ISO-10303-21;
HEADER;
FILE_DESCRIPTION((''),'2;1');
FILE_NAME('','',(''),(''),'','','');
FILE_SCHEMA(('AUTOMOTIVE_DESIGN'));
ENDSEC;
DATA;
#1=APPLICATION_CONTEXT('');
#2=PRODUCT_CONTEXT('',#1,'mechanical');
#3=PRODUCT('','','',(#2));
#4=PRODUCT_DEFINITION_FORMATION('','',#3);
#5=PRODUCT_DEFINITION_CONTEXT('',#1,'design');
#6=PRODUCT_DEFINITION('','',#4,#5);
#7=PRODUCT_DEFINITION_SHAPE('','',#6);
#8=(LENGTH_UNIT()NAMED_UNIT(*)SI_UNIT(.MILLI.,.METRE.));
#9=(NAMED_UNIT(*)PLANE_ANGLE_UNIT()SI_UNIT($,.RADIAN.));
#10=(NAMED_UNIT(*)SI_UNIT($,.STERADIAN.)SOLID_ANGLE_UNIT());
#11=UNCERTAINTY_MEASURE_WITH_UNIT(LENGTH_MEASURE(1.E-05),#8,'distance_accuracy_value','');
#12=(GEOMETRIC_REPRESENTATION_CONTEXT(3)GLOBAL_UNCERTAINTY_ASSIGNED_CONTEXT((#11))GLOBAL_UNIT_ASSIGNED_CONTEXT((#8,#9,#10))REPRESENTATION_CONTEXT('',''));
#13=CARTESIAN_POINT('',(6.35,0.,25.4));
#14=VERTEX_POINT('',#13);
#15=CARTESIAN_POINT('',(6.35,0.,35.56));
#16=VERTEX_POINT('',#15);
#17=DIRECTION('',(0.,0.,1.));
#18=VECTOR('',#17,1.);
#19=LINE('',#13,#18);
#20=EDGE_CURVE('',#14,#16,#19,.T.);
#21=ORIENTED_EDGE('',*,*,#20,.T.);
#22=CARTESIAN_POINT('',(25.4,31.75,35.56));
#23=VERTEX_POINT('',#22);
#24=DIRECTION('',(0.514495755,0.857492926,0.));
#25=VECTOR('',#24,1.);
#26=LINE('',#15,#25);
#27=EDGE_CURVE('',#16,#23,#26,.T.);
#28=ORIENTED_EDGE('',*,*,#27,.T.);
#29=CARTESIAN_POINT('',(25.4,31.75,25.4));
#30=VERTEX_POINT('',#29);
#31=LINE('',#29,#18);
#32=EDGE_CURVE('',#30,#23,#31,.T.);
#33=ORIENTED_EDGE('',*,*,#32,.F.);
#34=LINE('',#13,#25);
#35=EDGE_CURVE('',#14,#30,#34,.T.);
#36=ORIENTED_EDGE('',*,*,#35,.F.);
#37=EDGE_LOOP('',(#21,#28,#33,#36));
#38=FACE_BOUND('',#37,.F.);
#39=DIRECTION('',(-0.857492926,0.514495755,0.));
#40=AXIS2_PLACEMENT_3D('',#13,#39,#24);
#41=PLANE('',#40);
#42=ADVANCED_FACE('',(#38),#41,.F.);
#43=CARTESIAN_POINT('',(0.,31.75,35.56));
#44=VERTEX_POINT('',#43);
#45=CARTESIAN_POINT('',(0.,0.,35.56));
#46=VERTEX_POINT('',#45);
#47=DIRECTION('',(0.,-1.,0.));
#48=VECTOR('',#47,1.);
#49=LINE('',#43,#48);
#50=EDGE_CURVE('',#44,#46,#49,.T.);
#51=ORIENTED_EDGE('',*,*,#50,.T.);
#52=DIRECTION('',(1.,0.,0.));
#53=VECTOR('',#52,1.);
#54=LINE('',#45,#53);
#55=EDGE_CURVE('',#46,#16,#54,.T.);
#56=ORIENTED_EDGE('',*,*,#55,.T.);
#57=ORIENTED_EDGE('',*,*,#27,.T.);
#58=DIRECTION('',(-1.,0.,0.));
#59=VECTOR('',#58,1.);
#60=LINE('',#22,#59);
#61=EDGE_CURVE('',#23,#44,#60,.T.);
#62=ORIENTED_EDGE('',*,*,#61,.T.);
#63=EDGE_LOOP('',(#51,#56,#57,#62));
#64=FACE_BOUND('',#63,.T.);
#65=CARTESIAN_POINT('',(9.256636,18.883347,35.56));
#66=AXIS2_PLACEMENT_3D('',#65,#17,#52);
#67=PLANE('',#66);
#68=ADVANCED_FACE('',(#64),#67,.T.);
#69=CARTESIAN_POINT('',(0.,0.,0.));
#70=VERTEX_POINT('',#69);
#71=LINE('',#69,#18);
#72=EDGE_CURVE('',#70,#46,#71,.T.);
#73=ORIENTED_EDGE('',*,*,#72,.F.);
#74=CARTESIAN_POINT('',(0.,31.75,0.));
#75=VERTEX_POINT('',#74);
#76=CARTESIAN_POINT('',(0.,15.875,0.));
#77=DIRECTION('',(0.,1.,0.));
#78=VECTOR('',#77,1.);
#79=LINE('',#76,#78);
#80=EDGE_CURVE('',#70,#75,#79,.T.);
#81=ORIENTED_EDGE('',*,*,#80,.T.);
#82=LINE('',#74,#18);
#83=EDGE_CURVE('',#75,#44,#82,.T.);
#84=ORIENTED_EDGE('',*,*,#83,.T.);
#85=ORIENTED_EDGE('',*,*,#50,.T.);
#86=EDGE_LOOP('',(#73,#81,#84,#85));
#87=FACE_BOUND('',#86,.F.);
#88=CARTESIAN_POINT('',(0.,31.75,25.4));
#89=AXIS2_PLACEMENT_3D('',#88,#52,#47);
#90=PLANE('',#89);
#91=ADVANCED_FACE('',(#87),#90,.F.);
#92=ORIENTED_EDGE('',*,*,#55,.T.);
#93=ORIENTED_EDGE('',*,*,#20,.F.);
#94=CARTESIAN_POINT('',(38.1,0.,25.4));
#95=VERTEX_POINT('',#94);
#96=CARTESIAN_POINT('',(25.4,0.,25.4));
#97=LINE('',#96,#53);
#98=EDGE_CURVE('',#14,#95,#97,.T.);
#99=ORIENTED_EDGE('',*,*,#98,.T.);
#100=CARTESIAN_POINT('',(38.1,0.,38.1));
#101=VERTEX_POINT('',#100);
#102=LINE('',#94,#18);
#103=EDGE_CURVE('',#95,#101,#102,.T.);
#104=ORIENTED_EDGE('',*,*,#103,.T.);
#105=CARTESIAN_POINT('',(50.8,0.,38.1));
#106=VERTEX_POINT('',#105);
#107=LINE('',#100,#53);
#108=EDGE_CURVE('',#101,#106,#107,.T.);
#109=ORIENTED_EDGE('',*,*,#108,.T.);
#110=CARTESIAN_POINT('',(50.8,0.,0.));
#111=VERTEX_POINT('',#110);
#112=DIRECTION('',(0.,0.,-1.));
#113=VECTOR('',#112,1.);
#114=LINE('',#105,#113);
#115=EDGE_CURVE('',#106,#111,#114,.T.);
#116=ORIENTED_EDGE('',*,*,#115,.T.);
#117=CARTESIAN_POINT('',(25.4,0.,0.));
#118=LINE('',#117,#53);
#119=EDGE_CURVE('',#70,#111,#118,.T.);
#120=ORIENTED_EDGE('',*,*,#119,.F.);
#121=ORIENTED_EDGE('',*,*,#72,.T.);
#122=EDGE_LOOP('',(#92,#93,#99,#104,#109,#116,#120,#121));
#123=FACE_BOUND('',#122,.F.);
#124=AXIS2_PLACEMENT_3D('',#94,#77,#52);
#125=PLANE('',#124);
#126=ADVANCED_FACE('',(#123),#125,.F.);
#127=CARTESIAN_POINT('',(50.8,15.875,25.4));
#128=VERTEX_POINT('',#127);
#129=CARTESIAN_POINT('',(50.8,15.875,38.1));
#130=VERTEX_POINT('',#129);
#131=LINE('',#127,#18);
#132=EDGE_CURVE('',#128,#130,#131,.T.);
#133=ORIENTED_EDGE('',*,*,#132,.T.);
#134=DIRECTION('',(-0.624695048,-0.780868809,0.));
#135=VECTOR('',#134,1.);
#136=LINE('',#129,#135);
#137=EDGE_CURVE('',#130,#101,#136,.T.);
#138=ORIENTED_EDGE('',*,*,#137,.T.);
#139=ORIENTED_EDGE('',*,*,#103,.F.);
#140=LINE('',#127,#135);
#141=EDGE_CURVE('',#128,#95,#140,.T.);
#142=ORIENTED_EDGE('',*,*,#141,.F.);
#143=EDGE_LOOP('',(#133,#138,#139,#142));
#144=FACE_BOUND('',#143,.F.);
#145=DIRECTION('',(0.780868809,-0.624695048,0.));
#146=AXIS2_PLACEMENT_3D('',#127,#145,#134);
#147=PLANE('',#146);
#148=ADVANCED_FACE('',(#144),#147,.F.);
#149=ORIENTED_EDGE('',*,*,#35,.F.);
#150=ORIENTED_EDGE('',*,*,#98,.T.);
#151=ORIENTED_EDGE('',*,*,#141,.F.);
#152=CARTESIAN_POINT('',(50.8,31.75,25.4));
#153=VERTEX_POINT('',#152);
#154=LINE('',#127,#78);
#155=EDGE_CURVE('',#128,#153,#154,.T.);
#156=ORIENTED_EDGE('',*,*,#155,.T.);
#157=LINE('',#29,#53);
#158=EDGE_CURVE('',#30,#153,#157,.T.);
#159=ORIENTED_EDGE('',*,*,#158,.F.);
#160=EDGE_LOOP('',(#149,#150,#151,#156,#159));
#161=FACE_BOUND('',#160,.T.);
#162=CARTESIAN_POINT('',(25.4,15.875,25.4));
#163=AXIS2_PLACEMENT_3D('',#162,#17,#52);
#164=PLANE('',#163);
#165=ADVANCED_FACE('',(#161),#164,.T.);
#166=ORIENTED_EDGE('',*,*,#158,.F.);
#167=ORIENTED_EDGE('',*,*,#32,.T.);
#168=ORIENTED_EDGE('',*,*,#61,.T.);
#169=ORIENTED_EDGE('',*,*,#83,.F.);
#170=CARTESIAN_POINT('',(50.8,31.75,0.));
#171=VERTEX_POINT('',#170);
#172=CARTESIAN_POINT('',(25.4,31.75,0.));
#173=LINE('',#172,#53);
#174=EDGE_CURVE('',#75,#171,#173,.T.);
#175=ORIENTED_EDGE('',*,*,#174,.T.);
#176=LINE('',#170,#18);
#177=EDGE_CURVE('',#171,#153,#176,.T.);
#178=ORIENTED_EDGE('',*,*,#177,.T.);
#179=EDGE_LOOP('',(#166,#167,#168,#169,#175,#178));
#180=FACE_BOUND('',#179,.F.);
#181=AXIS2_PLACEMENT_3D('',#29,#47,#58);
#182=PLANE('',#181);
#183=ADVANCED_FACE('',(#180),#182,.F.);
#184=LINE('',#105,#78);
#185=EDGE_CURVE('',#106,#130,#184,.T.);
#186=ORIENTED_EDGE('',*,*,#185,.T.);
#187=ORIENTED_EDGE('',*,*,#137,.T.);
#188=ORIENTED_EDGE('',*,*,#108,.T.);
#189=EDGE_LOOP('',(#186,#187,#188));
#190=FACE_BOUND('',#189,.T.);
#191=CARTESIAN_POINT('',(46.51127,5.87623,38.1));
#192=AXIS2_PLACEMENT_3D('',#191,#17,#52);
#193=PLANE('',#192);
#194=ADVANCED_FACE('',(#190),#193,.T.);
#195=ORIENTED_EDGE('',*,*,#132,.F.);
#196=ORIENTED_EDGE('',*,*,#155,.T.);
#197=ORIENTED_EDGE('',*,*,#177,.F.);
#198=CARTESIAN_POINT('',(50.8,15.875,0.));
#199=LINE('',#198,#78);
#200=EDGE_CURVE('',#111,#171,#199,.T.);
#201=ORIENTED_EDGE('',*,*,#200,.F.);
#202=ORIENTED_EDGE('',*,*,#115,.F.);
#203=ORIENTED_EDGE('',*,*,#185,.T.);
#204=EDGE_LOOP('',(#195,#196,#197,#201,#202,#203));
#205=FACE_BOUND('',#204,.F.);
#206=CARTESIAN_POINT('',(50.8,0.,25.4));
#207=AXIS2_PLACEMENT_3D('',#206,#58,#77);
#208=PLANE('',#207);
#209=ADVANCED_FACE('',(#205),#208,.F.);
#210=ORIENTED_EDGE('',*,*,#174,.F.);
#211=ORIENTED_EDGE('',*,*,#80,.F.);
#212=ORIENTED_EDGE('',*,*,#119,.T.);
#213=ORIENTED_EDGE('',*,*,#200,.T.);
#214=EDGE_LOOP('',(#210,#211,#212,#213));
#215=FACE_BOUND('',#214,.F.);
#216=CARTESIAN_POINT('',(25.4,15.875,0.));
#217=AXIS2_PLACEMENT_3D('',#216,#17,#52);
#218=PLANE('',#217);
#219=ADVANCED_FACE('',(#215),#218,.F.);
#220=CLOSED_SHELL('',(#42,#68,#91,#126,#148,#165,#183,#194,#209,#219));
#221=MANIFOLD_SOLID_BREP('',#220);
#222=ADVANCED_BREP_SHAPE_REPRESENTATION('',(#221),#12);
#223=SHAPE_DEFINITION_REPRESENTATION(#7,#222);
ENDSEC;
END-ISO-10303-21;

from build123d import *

# Parameters (mm, degrees)
F0_W     = 50.8
F0_H     = 31.75
F1_DEPTH = 25.4
F3_DEPTH = 10.16
F5_DEPTH = 12.7


with BuildPart() as f1:
    # F0 (on Top) → F1 (new body)
    with BuildSketch(Plane.XY):
        with Locations((25.4, 15.875)):
            Rectangle(F0_W, F0_H)
    extrude(amount=F1_DEPTH)

    # F2 (on face) → F3 (join)
    with BuildSketch(Plane.XY.offset(25.4)):
        Polygon((25.4, 31.75), (0, 31.75), (0, 0), (6.35, 0), align=None)
    extrude(amount=F3_DEPTH)

    # F4 (on face) → F5 (join)
    with BuildSketch(Plane.XY.offset(25.4)):
        Polygon((50.8, 15.875), (38.1, 0), (50.8, 0), align=None)
    extrude(amount=F5_DEPTH)


solid = f1.part
